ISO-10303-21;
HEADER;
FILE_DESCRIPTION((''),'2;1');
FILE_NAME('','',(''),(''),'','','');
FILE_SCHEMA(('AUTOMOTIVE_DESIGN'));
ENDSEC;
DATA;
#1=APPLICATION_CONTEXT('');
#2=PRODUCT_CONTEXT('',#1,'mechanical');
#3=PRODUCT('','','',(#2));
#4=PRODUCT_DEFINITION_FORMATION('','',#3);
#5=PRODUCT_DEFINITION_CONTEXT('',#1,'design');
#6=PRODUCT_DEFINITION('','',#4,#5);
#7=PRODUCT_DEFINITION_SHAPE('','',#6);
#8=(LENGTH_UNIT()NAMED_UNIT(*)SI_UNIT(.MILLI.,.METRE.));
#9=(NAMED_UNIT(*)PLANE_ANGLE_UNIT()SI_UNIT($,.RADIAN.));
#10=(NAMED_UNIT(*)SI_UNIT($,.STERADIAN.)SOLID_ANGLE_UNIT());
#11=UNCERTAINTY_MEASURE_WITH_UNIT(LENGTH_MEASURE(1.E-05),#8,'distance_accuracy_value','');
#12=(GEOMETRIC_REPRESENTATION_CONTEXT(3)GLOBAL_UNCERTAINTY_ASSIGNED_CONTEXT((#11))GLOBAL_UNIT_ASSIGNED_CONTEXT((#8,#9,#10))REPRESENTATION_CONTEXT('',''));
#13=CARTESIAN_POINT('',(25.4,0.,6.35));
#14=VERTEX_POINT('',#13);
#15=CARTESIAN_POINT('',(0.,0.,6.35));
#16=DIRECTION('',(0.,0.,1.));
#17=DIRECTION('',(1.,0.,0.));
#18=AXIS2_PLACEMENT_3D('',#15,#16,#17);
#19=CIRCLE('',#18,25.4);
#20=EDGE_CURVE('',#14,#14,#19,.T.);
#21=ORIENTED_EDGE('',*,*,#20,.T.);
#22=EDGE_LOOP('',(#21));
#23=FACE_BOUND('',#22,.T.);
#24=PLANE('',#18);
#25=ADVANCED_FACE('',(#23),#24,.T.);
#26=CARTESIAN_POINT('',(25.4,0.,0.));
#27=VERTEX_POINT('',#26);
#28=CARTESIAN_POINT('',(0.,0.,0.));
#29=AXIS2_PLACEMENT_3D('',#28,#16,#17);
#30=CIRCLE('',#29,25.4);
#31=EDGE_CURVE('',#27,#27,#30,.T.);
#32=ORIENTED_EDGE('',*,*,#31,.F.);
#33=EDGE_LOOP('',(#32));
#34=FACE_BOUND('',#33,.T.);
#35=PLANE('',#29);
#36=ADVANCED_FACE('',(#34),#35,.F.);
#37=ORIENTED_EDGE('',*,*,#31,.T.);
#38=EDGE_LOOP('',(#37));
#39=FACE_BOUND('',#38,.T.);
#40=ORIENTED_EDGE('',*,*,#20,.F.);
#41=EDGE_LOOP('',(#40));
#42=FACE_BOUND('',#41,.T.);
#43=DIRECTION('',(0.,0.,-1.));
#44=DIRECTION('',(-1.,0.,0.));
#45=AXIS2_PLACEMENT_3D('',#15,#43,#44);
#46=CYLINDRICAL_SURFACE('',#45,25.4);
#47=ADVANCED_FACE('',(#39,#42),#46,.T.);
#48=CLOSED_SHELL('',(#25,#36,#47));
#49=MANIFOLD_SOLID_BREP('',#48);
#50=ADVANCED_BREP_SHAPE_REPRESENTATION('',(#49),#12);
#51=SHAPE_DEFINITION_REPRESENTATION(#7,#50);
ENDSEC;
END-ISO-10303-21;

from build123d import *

# Parameters (mm, degrees)
SKETCH1_R           = 25.4
BOSS_EXTRUDE1_DEPTH = 6.35


with BuildPart() as part:
    # Sketch1 → Boss-Extrude1 (new body)
    with BuildSketch(Plane.XY):
        Circle(SKETCH1_R)
    extrude(amount=BOSS_EXTRUDE1_DEPTH)


solid = part.part
